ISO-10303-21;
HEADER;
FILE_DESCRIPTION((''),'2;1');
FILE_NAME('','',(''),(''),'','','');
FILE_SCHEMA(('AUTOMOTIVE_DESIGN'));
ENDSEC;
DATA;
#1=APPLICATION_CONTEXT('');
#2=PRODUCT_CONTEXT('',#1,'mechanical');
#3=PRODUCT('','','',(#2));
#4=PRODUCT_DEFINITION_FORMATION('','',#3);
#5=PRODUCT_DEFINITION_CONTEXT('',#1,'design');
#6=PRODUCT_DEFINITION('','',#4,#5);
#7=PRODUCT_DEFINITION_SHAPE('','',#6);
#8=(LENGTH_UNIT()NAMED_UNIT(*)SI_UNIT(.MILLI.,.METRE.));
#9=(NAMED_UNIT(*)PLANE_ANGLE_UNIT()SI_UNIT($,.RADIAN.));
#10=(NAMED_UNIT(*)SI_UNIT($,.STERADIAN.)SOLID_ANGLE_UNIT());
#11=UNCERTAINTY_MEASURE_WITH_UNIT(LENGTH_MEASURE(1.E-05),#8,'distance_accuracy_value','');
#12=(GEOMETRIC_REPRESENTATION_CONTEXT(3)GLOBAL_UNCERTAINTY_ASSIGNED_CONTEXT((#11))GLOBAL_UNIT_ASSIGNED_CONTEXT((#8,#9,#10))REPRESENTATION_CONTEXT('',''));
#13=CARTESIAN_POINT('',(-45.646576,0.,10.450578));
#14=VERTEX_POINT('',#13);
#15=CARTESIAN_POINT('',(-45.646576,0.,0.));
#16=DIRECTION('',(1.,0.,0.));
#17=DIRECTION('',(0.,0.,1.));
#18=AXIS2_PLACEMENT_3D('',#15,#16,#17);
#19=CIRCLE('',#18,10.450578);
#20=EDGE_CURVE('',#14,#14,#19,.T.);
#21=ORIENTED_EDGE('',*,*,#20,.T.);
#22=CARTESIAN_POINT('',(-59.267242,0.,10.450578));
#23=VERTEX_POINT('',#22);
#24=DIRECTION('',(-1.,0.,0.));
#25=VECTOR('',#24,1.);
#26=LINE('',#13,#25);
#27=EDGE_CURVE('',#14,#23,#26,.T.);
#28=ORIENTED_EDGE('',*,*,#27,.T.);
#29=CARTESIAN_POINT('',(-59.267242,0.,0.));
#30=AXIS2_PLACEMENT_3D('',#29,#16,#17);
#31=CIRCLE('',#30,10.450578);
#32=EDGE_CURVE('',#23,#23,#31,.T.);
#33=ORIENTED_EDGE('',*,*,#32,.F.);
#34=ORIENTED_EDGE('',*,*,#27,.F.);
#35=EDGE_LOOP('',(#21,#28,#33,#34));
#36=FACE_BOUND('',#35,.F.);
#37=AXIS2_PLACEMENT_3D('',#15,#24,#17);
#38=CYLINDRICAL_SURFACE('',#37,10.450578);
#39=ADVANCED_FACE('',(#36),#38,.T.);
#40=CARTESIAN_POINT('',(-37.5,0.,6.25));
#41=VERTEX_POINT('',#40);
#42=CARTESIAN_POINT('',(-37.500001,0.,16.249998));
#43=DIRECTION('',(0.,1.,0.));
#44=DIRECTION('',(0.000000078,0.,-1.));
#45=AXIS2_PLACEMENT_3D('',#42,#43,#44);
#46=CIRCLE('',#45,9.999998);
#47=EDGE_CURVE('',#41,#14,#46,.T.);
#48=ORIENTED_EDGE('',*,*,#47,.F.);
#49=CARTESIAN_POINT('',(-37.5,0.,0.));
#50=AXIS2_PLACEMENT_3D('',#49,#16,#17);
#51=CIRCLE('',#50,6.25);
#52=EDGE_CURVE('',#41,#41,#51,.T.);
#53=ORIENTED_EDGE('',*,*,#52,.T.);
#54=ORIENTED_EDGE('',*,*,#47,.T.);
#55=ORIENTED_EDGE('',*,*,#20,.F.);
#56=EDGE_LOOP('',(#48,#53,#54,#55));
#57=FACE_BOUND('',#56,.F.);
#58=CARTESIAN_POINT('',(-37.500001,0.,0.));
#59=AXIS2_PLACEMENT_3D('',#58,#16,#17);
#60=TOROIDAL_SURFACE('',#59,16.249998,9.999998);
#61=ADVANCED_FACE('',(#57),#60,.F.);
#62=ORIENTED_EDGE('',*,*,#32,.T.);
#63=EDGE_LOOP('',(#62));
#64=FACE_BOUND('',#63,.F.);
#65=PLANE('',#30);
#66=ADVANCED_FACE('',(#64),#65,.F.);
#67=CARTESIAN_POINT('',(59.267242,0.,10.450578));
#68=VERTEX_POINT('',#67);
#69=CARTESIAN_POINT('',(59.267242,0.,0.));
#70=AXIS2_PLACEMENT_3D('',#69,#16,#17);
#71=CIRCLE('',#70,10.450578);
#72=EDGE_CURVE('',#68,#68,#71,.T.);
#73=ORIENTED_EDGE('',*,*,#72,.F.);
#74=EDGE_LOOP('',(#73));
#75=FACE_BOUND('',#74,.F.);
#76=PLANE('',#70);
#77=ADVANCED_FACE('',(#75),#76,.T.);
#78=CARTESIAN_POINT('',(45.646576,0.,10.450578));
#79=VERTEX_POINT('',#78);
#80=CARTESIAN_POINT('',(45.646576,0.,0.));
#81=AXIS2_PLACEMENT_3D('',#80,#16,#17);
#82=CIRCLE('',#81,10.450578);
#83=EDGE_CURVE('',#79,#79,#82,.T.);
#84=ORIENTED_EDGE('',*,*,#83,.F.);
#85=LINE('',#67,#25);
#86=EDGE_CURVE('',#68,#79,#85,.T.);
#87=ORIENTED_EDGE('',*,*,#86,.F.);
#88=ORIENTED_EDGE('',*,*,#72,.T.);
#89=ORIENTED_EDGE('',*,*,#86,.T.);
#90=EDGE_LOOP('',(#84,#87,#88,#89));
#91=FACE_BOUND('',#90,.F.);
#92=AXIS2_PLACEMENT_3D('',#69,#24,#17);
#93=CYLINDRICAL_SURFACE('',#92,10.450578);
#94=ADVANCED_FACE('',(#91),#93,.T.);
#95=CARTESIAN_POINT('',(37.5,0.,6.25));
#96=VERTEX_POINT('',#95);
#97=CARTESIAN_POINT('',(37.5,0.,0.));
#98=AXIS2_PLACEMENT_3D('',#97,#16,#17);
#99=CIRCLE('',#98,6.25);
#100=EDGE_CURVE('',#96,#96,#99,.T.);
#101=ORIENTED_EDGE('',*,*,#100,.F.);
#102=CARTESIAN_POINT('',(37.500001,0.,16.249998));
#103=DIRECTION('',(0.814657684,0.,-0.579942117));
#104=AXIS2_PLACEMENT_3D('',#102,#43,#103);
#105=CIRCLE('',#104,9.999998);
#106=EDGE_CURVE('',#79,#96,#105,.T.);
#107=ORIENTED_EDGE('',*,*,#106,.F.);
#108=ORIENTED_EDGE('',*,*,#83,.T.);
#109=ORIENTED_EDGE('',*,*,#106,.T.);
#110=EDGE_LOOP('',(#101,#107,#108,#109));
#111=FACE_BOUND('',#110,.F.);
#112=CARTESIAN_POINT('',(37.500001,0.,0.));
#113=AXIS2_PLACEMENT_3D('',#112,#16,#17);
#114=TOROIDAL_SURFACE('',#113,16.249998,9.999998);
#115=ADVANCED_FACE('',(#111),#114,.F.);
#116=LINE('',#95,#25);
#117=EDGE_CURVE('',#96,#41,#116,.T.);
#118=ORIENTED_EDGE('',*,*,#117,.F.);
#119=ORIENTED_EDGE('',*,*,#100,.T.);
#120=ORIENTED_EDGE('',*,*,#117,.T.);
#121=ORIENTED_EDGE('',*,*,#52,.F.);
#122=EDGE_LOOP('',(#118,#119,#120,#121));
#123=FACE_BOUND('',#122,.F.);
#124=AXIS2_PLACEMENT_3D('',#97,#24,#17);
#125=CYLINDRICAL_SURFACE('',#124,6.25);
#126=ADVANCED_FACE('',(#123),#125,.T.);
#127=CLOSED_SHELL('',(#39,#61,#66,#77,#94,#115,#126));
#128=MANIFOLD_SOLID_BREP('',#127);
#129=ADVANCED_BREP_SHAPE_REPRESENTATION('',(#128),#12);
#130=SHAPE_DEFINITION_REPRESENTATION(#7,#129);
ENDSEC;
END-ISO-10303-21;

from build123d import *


with BuildPart() as f1:
    # F0 (on Front) → F1 (revolve)
    with BuildSketch(Plane.XZ):
        with BuildLine():
            Line((37.5, 6.25), (0, 6.25))
            Line((0, 6.25), (-37.5, 6.25))
            ThreePointArc((-37.5, 6.25), (-42.082891, 7.361968), (-45.646576, 10.450578))
            Line((-45.646576, 10.450578), (-59.267242, 10.450578))
            Line((-59.267242, 10.450578), (-59.267242, 0))
            Line((-59.267242, 0), (0, 0))
            Line((0, 0), (59.267242, 0))
            Line((59.267242, 0), (59.267242, 10.450578))
            Line((59.267242, 10.450578), (45.646576, 10.450578))
            ThreePointArc((45.646576, 10.450578), (42.082891, 7.361968), (37.5, 6.25))
        make_face()
    revolve(axis=Axis((-29.633621, 0, 0), (1, 0, 0)))


solid = f1.part
